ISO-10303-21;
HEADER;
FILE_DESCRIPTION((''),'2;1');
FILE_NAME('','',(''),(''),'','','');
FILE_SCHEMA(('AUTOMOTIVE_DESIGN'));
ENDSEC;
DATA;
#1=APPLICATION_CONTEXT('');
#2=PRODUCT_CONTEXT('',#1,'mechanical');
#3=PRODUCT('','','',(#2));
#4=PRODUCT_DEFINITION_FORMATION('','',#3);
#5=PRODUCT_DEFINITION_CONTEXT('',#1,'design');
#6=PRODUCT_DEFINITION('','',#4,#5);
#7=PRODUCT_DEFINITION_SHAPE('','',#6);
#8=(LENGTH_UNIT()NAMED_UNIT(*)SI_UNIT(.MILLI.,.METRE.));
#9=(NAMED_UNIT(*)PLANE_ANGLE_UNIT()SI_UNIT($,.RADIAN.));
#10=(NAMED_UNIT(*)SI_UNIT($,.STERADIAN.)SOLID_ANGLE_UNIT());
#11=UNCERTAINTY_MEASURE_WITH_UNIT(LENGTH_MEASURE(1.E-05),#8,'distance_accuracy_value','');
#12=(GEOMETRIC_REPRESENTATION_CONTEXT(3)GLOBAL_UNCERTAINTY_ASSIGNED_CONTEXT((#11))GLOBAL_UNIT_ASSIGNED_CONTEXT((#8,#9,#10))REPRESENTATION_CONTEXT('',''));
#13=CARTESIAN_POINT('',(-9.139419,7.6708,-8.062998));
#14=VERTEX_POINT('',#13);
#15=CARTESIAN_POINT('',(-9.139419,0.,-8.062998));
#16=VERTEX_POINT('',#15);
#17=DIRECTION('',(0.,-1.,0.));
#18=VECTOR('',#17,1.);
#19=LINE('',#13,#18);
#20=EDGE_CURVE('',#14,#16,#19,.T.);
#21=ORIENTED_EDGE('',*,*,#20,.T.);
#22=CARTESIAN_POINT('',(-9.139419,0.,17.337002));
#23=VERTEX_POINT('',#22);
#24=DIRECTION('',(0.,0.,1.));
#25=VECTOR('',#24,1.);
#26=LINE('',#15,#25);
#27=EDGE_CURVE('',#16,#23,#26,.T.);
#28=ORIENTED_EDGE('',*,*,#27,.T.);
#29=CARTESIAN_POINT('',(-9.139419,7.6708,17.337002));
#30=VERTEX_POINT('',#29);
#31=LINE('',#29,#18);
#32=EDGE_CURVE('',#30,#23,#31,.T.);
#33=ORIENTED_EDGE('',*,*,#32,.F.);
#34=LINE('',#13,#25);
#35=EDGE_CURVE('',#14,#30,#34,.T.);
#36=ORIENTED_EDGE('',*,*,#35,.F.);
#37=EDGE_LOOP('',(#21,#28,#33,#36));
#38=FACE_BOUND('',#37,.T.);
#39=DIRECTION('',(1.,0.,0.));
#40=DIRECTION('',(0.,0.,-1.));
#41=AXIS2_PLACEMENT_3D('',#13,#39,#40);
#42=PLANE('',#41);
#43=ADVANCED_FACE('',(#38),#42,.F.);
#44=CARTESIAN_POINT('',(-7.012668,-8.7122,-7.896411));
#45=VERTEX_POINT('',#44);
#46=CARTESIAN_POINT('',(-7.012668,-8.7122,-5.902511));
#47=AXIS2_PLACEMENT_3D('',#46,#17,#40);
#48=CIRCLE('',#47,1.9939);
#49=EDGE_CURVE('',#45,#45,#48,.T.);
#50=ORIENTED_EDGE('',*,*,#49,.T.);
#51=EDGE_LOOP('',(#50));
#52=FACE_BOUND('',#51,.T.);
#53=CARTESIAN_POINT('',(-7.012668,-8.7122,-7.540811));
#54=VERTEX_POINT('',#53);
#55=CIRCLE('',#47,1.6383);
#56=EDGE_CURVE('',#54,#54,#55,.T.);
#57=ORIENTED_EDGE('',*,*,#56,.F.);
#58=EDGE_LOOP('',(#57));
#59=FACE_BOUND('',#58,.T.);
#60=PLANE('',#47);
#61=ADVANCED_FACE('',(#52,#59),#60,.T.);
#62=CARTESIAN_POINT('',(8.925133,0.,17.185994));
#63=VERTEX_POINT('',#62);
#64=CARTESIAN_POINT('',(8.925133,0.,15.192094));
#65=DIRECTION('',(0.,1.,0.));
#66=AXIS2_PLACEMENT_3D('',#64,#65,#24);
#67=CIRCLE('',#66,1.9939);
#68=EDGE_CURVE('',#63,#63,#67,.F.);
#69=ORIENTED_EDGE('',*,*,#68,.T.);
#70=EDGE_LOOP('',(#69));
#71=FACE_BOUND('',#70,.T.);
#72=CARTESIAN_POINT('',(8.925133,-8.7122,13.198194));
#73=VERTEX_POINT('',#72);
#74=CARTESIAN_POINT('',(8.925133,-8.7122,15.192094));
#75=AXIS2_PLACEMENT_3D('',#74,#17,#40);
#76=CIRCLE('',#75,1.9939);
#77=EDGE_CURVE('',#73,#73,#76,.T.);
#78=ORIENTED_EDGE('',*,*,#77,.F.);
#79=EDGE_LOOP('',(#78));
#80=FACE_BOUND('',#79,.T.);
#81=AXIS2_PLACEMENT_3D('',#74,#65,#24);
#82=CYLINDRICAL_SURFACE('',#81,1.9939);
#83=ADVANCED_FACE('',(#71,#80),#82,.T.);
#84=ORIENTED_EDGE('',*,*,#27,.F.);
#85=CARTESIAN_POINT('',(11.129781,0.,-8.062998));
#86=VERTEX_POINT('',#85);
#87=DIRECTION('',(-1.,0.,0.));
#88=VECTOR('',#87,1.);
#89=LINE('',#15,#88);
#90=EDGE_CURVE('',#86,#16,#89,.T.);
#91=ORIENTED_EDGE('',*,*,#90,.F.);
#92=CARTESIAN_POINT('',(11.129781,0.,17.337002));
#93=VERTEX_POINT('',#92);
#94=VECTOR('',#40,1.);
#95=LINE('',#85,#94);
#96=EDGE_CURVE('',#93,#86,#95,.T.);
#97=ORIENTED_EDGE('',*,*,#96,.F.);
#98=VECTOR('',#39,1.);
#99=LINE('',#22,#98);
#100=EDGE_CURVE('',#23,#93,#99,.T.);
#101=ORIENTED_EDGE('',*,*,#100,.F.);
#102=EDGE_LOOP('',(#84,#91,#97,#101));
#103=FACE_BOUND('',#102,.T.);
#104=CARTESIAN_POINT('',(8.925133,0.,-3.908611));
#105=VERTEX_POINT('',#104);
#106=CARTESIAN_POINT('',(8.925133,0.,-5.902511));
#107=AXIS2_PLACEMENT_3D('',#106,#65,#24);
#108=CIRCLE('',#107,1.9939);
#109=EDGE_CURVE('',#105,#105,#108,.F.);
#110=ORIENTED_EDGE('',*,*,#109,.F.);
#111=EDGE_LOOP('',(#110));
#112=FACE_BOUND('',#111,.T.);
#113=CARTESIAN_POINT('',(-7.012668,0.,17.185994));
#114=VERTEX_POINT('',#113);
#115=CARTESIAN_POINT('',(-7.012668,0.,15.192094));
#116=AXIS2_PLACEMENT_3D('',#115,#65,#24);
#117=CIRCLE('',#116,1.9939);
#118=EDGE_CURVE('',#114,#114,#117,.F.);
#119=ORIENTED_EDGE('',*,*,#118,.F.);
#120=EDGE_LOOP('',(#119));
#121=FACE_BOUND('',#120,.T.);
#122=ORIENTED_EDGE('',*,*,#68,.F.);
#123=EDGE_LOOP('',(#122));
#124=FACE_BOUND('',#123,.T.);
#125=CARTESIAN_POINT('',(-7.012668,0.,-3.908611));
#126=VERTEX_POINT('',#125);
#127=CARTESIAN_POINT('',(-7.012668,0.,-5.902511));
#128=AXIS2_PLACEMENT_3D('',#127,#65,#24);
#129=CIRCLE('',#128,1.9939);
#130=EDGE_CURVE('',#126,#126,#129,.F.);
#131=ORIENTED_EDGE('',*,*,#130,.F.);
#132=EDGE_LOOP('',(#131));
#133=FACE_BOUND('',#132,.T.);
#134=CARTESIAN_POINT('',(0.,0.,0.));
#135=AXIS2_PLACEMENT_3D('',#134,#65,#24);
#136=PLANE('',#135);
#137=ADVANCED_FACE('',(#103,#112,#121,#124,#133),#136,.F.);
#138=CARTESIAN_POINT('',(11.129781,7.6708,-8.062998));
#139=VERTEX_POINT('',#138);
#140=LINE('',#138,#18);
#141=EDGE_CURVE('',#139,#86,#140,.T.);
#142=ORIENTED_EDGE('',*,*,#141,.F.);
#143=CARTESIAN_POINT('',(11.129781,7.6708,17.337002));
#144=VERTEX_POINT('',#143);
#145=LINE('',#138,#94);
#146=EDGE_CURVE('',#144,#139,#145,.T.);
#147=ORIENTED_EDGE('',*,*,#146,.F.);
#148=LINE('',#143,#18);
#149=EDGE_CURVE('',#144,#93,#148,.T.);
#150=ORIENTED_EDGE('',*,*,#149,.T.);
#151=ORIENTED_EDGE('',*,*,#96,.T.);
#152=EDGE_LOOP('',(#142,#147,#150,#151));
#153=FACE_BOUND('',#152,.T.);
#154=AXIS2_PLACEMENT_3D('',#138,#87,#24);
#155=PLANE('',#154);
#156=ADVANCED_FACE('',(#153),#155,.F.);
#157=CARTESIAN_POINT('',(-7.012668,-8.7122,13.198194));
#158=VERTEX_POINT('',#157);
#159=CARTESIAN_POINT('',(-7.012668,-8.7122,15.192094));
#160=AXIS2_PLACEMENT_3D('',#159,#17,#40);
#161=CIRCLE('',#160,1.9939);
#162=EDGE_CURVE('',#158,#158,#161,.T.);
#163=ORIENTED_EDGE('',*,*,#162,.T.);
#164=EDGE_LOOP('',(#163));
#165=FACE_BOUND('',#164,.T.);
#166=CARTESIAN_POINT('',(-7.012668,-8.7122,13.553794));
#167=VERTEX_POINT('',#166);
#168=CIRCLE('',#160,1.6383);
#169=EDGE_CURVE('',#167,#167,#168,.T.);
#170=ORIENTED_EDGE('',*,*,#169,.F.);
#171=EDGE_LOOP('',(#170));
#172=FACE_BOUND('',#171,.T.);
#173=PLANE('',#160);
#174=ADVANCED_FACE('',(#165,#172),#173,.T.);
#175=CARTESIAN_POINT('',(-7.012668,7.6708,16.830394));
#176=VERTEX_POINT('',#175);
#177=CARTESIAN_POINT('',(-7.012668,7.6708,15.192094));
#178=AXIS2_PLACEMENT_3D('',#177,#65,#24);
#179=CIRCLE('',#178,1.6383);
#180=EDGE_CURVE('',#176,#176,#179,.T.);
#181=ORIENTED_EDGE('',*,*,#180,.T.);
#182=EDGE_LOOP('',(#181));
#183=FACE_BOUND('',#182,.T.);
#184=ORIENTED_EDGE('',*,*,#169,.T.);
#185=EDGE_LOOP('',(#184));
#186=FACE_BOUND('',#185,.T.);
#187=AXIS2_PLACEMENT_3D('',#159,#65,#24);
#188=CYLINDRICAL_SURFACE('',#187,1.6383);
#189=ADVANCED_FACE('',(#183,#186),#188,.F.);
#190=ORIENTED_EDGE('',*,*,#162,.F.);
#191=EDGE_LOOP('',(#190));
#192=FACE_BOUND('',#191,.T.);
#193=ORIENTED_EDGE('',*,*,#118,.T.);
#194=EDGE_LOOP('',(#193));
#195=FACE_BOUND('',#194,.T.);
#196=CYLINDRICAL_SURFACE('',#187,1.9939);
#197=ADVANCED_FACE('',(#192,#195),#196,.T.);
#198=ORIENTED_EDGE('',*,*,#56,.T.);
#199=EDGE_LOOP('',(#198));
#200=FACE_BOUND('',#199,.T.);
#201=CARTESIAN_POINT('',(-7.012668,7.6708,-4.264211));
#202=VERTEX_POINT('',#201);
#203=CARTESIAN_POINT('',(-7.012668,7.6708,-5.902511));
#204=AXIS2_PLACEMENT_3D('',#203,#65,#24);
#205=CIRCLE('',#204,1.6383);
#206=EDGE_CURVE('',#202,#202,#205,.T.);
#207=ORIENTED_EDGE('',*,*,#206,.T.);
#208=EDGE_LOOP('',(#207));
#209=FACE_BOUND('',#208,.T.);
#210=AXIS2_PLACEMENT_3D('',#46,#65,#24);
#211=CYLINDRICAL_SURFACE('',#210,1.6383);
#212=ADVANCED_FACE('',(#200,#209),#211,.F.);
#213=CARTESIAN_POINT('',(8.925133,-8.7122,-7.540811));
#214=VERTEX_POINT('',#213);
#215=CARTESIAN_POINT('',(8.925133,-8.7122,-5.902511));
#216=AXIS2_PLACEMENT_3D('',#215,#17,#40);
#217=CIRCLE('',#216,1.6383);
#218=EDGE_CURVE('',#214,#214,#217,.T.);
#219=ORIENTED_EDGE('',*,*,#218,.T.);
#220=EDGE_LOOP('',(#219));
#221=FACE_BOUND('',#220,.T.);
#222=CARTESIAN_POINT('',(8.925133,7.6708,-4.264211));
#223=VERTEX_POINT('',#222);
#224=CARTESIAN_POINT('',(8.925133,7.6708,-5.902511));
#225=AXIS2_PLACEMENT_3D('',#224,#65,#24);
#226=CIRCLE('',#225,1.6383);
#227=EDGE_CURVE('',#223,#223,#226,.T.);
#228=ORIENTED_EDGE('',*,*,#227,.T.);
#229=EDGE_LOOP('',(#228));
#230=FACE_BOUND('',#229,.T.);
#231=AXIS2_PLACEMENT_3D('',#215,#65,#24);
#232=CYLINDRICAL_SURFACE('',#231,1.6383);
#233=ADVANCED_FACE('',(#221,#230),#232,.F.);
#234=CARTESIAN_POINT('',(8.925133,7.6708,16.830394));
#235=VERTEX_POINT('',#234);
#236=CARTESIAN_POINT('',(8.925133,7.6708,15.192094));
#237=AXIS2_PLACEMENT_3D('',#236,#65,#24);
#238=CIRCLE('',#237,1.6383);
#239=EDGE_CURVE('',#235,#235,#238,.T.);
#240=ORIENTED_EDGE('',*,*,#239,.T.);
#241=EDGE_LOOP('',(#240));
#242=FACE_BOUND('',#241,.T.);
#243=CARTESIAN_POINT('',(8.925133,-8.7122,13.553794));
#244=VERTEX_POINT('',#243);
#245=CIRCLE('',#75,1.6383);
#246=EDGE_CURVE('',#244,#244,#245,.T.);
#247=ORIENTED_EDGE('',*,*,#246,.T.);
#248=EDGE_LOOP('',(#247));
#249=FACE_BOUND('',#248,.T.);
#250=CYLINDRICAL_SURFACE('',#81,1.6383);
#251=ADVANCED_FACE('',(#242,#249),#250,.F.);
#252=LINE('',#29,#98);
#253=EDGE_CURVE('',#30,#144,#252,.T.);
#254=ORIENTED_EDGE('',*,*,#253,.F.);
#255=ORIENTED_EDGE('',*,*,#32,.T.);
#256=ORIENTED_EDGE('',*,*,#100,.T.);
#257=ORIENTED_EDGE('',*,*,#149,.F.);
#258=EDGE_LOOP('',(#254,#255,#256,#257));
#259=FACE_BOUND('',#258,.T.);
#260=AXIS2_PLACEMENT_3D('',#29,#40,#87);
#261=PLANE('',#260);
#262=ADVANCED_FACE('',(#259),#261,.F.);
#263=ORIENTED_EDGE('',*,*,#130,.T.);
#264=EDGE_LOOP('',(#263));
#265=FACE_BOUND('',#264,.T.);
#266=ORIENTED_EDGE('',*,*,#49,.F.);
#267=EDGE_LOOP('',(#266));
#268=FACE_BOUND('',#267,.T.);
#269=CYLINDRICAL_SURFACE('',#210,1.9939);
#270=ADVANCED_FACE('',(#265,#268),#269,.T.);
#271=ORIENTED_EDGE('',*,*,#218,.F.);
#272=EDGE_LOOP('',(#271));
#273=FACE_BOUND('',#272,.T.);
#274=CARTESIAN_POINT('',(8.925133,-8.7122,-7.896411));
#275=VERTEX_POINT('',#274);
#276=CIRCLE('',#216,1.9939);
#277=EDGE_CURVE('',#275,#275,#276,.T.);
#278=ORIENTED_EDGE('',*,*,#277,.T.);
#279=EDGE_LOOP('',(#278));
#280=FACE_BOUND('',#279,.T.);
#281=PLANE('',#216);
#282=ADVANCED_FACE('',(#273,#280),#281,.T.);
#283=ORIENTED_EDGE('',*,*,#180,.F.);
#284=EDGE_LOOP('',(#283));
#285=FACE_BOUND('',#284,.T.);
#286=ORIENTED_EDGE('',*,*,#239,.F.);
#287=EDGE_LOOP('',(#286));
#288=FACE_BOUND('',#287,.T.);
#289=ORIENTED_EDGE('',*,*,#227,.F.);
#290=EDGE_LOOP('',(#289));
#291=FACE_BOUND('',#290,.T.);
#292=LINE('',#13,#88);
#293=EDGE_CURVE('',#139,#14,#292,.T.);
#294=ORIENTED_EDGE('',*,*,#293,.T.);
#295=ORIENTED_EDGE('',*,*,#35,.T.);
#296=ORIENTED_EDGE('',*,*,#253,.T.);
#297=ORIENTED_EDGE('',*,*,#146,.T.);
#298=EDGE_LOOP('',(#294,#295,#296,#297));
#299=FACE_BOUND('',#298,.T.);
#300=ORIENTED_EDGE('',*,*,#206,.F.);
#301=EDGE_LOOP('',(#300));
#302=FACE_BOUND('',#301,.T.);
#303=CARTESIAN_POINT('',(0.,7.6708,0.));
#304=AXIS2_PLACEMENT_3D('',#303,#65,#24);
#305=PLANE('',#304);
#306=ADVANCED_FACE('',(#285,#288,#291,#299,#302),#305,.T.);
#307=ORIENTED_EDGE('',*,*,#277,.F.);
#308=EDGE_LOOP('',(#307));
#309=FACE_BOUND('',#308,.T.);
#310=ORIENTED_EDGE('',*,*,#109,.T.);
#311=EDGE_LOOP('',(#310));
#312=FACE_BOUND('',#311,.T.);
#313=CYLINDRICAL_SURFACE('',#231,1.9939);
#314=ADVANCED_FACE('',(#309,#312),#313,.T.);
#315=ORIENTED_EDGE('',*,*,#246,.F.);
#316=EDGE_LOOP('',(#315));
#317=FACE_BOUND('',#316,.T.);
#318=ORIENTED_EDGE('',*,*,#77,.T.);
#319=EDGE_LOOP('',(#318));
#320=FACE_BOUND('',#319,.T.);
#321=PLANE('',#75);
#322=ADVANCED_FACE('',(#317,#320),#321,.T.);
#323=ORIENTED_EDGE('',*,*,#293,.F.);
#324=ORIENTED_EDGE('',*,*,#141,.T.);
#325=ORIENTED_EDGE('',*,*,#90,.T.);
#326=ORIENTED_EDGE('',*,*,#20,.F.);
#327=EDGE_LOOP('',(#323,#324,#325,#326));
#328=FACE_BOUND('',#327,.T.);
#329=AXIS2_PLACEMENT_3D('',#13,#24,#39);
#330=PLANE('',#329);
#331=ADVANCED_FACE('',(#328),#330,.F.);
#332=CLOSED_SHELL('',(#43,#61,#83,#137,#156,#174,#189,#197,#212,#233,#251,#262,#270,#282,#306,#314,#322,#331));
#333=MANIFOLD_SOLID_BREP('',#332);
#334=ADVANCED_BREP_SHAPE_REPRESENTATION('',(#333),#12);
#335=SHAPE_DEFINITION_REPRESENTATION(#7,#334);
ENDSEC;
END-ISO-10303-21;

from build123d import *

# Parameters (mm, degrees)
SKETCH1_W               = 20.2692
SKETCH1_H               = 25.4
BOSS_EXTRUDE1_DEPTH     = 7.6708
SKETCH2_R               = 1.9939
SKETCH2_R_2             = 1.6383
BOSS_EXTRUDE2_DEPTH     = 8.7122
SKETCH3_R               = 1.6383
CUT_EXTRUDE1_DEPTH      = 1
CUT_EXTRUDE1_DEPTH_BACK = 17.383


with BuildPart() as part:
    # Sketch1 → Boss-Extrude1 (new body)
    with BuildSketch(Plane(origin=(0, 0, 0), x_dir=(1, 0, 0), z_dir=(0, 1, 0))):
        with Locations((0.995181162, -4.637001603)):
            Rectangle(SKETCH1_W, SKETCH1_H)
    extrude(amount=BOSS_EXTRUDE1_DEPTH)

    # Sketch2 → Boss-Extrude2 (add)
    with BuildSketch(Plane(origin=(0, 0, 0), x_dir=(-1, 0, 0), z_dir=(0, -1, 0))):
        with Locations((7.01266761, -15.1920941)):
            Circle(SKETCH2_R)
        with Locations((7.01266761, -15.1920941)):
            Circle(SKETCH2_R_2, mode=Mode.SUBTRACT)
        with Locations((-8.925132573, -15.1920941)):
            Circle(SKETCH2_R)
        with Locations((-8.925132573, -15.1920941)):
            Circle(SKETCH2_R_2, mode=Mode.SUBTRACT)
        with Locations((-8.925132573, 5.902511421)):
            Circle(SKETCH2_R)
        with Locations((-8.925132573, 5.902511421)):
            Circle(SKETCH2_R_2, mode=Mode.SUBTRACT)
        with Locations((7.01266761, 5.902511421)):
            Circle(SKETCH2_R)
        with Locations((7.01266761, 5.902511421)):
            Circle(SKETCH2_R_2, mode=Mode.SUBTRACT)
    extrude(amount=BOSS_EXTRUDE2_DEPTH)

    # Sketch3 → Cut-Extrude1 (cut, two sides)
    with BuildSketch(Plane(origin=(0, 7.6708, 0), x_dir=(1, 0, 0), z_dir=(0, 1, 0))) as cut_extrude1_sk:
        with Locations((8.925132573, 5.902511421)):
            Circle(SKETCH3_R)
        with Locations((-7.01266761, 5.902511421)):
            Circle(SKETCH3_R)
        with Locations((8.925132573, -15.1920941)):
            Circle(SKETCH3_R)
        with Locations((-7.01266761, -15.1920941)):
            Circle(SKETCH3_R)
    extrude(amount=CUT_EXTRUDE1_DEPTH, mode=Mode.SUBTRACT)
    extrude(cut_extrude1_sk.sketch, amount=-CUT_EXTRUDE1_DEPTH_BACK, mode=Mode.SUBTRACT)


solid = part.part
